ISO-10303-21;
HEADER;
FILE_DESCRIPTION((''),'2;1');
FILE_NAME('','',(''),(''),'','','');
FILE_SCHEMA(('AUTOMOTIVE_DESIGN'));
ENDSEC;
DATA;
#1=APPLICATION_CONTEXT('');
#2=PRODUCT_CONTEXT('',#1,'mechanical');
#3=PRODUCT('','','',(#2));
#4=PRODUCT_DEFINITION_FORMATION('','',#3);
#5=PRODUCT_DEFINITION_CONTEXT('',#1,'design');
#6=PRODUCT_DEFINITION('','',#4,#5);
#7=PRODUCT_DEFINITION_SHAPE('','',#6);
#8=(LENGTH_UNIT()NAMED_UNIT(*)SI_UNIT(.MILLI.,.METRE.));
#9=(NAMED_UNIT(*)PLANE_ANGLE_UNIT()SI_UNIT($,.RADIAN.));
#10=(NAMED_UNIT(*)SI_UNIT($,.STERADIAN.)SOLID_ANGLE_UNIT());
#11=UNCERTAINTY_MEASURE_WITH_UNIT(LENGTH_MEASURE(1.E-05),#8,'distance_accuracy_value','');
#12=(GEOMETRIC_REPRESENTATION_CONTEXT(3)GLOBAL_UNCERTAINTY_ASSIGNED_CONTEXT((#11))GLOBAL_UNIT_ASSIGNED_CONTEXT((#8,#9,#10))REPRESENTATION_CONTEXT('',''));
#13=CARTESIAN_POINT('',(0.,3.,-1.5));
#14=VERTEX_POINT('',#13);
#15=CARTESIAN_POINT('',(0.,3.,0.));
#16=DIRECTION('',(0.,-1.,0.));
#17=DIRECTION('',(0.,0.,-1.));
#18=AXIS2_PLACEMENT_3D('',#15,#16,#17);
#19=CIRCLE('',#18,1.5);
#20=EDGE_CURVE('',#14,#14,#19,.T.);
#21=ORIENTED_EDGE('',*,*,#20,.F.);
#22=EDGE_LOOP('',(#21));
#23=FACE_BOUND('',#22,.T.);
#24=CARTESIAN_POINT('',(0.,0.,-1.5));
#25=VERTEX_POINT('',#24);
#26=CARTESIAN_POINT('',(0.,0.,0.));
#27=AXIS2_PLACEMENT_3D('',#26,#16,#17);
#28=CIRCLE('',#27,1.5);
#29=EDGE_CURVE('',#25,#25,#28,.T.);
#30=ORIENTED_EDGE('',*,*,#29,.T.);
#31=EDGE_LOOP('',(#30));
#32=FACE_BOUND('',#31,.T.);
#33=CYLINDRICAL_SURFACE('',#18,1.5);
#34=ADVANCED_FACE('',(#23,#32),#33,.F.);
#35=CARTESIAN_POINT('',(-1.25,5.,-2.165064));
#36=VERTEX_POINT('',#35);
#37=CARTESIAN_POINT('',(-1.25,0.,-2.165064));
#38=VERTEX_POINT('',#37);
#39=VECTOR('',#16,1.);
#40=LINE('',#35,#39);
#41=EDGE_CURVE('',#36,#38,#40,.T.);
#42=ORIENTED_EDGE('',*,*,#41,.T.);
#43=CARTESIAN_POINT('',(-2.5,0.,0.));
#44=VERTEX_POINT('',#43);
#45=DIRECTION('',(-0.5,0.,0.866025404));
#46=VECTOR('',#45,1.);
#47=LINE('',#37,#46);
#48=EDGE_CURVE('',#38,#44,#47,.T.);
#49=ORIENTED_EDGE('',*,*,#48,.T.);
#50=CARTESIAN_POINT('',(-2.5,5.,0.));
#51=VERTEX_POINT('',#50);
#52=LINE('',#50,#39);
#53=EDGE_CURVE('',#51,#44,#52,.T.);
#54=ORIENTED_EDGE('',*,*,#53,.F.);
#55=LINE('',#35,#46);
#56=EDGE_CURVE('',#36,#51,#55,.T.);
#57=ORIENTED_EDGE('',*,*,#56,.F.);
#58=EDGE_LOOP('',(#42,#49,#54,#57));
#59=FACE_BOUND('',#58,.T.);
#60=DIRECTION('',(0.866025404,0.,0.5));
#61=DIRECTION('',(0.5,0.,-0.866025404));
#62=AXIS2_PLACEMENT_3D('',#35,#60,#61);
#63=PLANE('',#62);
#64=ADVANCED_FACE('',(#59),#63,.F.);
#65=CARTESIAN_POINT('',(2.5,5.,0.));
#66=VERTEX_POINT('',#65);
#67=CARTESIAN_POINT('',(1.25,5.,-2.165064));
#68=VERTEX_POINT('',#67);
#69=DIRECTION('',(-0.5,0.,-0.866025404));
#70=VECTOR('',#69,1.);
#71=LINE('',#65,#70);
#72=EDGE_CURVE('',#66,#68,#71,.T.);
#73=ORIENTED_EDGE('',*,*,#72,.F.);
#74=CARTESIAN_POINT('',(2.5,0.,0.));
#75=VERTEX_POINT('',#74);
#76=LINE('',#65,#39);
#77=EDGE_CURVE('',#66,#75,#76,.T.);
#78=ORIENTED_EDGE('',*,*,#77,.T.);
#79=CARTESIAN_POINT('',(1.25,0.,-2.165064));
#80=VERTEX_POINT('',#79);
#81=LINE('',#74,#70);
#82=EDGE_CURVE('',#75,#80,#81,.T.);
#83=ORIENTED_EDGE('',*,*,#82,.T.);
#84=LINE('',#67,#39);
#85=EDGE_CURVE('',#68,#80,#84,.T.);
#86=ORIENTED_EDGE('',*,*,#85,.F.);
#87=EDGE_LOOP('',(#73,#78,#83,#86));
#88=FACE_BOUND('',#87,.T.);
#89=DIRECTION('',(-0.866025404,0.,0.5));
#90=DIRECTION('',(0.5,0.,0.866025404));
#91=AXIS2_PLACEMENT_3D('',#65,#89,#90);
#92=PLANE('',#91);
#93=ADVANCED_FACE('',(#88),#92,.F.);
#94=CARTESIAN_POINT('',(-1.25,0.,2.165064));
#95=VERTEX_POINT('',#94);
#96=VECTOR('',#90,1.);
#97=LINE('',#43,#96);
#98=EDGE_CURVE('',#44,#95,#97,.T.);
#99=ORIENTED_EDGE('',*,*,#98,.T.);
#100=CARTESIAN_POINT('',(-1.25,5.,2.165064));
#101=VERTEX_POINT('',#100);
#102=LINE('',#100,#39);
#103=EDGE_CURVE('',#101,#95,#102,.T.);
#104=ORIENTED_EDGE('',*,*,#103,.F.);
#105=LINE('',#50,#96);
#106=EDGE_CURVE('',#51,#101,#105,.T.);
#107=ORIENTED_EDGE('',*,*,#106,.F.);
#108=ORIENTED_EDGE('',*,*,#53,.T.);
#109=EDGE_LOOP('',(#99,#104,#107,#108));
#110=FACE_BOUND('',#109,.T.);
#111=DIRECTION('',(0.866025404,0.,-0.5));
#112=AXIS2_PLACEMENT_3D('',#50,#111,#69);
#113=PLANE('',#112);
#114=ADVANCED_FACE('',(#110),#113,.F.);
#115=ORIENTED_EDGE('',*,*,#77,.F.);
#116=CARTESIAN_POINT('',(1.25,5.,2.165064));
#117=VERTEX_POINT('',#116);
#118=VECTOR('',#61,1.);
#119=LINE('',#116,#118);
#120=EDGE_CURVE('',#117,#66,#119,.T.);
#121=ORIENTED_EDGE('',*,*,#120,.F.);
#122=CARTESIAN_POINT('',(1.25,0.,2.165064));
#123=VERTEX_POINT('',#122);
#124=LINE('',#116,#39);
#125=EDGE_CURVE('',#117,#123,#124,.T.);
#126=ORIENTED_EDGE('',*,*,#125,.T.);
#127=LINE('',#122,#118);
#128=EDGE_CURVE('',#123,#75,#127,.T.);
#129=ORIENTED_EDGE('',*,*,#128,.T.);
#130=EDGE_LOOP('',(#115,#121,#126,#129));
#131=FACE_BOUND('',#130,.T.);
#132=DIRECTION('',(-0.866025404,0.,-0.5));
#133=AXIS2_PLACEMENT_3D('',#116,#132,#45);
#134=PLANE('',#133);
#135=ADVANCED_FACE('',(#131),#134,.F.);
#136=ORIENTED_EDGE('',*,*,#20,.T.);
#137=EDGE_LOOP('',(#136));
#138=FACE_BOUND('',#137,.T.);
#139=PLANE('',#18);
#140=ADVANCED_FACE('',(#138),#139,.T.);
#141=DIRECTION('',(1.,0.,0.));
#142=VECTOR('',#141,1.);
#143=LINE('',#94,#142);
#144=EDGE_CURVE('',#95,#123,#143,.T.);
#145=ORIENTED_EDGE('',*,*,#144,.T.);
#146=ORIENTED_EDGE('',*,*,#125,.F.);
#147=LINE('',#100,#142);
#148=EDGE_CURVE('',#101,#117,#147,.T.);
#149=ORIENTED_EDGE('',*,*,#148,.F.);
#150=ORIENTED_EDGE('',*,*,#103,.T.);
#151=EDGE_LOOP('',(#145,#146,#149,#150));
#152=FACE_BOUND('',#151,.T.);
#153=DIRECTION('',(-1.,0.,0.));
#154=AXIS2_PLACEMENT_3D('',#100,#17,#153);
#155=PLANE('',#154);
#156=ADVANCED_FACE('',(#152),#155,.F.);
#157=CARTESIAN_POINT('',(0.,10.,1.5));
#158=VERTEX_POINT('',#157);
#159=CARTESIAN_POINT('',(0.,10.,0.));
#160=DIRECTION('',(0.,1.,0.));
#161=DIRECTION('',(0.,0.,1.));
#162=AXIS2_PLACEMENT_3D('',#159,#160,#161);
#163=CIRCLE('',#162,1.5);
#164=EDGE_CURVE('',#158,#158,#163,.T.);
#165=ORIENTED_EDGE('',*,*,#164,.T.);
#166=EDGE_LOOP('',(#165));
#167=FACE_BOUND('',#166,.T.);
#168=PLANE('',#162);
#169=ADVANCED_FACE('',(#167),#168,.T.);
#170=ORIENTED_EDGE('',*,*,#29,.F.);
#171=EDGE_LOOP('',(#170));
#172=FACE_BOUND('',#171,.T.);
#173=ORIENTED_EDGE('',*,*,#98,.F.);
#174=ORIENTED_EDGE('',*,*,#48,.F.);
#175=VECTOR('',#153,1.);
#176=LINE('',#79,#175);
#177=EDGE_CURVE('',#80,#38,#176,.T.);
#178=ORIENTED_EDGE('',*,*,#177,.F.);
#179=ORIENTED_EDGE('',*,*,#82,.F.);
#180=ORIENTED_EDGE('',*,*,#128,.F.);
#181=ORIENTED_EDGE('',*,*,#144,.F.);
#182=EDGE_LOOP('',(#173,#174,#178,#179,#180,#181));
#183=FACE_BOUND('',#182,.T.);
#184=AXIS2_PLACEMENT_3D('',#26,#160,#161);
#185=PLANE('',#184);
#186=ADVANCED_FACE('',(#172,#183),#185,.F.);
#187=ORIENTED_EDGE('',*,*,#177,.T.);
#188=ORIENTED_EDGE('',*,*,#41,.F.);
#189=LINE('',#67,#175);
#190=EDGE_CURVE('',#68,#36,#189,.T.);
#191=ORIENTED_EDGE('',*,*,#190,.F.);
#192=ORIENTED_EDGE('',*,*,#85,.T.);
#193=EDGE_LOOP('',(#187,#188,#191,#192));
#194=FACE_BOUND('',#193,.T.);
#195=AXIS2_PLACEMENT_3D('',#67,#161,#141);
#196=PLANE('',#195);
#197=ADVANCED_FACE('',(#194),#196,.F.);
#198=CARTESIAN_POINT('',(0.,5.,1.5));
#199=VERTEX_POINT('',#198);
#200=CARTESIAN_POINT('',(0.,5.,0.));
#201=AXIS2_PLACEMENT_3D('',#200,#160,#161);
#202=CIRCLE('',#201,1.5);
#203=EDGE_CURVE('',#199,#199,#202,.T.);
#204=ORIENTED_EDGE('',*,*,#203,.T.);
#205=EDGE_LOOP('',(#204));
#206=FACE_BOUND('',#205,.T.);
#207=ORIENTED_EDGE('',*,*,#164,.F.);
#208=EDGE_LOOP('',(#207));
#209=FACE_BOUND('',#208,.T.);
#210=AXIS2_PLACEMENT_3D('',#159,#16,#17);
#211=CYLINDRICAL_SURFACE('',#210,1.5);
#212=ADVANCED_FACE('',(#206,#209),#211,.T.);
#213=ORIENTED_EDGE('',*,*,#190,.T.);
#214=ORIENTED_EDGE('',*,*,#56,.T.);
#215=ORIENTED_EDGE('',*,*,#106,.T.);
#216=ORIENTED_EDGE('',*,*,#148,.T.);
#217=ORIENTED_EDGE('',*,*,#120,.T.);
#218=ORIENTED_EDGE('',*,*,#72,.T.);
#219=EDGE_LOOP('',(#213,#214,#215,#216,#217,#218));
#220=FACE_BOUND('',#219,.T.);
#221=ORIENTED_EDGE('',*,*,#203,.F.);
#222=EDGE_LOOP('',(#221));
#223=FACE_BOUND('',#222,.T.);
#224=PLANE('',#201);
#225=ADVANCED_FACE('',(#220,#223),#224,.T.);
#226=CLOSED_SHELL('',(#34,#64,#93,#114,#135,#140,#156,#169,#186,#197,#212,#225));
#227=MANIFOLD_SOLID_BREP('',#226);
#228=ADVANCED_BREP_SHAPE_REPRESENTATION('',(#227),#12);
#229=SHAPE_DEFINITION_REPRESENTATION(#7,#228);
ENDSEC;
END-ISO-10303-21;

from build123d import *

# Parameters (mm, degrees)
EXTRUDE_1_DEPTH     = 5
SKETCH_2_R          = 1.5
EXTRUDE_2_DEPTH     = 5
SKETCH_3_R          = 1.5
CUT_EXTRUDE_1_DEPTH = 3


with BuildPart() as part:
    # Эскиз1 → Бобышка-Вытянуть1 (new body)
    with BuildSketch(Plane(origin=(0, 0, 0), x_dir=(1, 0, 0), z_dir=(0, 1, 0))):
        Polygon((1.25, -2.165063509), (2.5, 0), (1.25, 2.165063509), (-1.25, 2.165063509), (-2.5, 0), (-1.25, -2.165063509), align=None)
    extrude(amount=EXTRUDE_1_DEPTH)

    # Эскиз2 → Бобышка-Вытянуть2 (add)
    with BuildSketch(Plane(origin=(0, 5, 0), x_dir=(1, 0, 0), z_dir=(0, 1, 0))):
        with Locations(Location((0, 0, 0), (0, 0, 270))):
            Circle(SKETCH_2_R)
    extrude(amount=EXTRUDE_2_DEPTH)

    # Эскиз3 → Вырез-Вытянуть1 (cut)
    with BuildSketch(Plane.XZ):
        with Locations(Location((0, 0, 0), (0, 0, 90))):
            Circle(SKETCH_3_R)
    extrude(amount=-CUT_EXTRUDE_1_DEPTH, mode=Mode.SUBTRACT)


solid = part.part
